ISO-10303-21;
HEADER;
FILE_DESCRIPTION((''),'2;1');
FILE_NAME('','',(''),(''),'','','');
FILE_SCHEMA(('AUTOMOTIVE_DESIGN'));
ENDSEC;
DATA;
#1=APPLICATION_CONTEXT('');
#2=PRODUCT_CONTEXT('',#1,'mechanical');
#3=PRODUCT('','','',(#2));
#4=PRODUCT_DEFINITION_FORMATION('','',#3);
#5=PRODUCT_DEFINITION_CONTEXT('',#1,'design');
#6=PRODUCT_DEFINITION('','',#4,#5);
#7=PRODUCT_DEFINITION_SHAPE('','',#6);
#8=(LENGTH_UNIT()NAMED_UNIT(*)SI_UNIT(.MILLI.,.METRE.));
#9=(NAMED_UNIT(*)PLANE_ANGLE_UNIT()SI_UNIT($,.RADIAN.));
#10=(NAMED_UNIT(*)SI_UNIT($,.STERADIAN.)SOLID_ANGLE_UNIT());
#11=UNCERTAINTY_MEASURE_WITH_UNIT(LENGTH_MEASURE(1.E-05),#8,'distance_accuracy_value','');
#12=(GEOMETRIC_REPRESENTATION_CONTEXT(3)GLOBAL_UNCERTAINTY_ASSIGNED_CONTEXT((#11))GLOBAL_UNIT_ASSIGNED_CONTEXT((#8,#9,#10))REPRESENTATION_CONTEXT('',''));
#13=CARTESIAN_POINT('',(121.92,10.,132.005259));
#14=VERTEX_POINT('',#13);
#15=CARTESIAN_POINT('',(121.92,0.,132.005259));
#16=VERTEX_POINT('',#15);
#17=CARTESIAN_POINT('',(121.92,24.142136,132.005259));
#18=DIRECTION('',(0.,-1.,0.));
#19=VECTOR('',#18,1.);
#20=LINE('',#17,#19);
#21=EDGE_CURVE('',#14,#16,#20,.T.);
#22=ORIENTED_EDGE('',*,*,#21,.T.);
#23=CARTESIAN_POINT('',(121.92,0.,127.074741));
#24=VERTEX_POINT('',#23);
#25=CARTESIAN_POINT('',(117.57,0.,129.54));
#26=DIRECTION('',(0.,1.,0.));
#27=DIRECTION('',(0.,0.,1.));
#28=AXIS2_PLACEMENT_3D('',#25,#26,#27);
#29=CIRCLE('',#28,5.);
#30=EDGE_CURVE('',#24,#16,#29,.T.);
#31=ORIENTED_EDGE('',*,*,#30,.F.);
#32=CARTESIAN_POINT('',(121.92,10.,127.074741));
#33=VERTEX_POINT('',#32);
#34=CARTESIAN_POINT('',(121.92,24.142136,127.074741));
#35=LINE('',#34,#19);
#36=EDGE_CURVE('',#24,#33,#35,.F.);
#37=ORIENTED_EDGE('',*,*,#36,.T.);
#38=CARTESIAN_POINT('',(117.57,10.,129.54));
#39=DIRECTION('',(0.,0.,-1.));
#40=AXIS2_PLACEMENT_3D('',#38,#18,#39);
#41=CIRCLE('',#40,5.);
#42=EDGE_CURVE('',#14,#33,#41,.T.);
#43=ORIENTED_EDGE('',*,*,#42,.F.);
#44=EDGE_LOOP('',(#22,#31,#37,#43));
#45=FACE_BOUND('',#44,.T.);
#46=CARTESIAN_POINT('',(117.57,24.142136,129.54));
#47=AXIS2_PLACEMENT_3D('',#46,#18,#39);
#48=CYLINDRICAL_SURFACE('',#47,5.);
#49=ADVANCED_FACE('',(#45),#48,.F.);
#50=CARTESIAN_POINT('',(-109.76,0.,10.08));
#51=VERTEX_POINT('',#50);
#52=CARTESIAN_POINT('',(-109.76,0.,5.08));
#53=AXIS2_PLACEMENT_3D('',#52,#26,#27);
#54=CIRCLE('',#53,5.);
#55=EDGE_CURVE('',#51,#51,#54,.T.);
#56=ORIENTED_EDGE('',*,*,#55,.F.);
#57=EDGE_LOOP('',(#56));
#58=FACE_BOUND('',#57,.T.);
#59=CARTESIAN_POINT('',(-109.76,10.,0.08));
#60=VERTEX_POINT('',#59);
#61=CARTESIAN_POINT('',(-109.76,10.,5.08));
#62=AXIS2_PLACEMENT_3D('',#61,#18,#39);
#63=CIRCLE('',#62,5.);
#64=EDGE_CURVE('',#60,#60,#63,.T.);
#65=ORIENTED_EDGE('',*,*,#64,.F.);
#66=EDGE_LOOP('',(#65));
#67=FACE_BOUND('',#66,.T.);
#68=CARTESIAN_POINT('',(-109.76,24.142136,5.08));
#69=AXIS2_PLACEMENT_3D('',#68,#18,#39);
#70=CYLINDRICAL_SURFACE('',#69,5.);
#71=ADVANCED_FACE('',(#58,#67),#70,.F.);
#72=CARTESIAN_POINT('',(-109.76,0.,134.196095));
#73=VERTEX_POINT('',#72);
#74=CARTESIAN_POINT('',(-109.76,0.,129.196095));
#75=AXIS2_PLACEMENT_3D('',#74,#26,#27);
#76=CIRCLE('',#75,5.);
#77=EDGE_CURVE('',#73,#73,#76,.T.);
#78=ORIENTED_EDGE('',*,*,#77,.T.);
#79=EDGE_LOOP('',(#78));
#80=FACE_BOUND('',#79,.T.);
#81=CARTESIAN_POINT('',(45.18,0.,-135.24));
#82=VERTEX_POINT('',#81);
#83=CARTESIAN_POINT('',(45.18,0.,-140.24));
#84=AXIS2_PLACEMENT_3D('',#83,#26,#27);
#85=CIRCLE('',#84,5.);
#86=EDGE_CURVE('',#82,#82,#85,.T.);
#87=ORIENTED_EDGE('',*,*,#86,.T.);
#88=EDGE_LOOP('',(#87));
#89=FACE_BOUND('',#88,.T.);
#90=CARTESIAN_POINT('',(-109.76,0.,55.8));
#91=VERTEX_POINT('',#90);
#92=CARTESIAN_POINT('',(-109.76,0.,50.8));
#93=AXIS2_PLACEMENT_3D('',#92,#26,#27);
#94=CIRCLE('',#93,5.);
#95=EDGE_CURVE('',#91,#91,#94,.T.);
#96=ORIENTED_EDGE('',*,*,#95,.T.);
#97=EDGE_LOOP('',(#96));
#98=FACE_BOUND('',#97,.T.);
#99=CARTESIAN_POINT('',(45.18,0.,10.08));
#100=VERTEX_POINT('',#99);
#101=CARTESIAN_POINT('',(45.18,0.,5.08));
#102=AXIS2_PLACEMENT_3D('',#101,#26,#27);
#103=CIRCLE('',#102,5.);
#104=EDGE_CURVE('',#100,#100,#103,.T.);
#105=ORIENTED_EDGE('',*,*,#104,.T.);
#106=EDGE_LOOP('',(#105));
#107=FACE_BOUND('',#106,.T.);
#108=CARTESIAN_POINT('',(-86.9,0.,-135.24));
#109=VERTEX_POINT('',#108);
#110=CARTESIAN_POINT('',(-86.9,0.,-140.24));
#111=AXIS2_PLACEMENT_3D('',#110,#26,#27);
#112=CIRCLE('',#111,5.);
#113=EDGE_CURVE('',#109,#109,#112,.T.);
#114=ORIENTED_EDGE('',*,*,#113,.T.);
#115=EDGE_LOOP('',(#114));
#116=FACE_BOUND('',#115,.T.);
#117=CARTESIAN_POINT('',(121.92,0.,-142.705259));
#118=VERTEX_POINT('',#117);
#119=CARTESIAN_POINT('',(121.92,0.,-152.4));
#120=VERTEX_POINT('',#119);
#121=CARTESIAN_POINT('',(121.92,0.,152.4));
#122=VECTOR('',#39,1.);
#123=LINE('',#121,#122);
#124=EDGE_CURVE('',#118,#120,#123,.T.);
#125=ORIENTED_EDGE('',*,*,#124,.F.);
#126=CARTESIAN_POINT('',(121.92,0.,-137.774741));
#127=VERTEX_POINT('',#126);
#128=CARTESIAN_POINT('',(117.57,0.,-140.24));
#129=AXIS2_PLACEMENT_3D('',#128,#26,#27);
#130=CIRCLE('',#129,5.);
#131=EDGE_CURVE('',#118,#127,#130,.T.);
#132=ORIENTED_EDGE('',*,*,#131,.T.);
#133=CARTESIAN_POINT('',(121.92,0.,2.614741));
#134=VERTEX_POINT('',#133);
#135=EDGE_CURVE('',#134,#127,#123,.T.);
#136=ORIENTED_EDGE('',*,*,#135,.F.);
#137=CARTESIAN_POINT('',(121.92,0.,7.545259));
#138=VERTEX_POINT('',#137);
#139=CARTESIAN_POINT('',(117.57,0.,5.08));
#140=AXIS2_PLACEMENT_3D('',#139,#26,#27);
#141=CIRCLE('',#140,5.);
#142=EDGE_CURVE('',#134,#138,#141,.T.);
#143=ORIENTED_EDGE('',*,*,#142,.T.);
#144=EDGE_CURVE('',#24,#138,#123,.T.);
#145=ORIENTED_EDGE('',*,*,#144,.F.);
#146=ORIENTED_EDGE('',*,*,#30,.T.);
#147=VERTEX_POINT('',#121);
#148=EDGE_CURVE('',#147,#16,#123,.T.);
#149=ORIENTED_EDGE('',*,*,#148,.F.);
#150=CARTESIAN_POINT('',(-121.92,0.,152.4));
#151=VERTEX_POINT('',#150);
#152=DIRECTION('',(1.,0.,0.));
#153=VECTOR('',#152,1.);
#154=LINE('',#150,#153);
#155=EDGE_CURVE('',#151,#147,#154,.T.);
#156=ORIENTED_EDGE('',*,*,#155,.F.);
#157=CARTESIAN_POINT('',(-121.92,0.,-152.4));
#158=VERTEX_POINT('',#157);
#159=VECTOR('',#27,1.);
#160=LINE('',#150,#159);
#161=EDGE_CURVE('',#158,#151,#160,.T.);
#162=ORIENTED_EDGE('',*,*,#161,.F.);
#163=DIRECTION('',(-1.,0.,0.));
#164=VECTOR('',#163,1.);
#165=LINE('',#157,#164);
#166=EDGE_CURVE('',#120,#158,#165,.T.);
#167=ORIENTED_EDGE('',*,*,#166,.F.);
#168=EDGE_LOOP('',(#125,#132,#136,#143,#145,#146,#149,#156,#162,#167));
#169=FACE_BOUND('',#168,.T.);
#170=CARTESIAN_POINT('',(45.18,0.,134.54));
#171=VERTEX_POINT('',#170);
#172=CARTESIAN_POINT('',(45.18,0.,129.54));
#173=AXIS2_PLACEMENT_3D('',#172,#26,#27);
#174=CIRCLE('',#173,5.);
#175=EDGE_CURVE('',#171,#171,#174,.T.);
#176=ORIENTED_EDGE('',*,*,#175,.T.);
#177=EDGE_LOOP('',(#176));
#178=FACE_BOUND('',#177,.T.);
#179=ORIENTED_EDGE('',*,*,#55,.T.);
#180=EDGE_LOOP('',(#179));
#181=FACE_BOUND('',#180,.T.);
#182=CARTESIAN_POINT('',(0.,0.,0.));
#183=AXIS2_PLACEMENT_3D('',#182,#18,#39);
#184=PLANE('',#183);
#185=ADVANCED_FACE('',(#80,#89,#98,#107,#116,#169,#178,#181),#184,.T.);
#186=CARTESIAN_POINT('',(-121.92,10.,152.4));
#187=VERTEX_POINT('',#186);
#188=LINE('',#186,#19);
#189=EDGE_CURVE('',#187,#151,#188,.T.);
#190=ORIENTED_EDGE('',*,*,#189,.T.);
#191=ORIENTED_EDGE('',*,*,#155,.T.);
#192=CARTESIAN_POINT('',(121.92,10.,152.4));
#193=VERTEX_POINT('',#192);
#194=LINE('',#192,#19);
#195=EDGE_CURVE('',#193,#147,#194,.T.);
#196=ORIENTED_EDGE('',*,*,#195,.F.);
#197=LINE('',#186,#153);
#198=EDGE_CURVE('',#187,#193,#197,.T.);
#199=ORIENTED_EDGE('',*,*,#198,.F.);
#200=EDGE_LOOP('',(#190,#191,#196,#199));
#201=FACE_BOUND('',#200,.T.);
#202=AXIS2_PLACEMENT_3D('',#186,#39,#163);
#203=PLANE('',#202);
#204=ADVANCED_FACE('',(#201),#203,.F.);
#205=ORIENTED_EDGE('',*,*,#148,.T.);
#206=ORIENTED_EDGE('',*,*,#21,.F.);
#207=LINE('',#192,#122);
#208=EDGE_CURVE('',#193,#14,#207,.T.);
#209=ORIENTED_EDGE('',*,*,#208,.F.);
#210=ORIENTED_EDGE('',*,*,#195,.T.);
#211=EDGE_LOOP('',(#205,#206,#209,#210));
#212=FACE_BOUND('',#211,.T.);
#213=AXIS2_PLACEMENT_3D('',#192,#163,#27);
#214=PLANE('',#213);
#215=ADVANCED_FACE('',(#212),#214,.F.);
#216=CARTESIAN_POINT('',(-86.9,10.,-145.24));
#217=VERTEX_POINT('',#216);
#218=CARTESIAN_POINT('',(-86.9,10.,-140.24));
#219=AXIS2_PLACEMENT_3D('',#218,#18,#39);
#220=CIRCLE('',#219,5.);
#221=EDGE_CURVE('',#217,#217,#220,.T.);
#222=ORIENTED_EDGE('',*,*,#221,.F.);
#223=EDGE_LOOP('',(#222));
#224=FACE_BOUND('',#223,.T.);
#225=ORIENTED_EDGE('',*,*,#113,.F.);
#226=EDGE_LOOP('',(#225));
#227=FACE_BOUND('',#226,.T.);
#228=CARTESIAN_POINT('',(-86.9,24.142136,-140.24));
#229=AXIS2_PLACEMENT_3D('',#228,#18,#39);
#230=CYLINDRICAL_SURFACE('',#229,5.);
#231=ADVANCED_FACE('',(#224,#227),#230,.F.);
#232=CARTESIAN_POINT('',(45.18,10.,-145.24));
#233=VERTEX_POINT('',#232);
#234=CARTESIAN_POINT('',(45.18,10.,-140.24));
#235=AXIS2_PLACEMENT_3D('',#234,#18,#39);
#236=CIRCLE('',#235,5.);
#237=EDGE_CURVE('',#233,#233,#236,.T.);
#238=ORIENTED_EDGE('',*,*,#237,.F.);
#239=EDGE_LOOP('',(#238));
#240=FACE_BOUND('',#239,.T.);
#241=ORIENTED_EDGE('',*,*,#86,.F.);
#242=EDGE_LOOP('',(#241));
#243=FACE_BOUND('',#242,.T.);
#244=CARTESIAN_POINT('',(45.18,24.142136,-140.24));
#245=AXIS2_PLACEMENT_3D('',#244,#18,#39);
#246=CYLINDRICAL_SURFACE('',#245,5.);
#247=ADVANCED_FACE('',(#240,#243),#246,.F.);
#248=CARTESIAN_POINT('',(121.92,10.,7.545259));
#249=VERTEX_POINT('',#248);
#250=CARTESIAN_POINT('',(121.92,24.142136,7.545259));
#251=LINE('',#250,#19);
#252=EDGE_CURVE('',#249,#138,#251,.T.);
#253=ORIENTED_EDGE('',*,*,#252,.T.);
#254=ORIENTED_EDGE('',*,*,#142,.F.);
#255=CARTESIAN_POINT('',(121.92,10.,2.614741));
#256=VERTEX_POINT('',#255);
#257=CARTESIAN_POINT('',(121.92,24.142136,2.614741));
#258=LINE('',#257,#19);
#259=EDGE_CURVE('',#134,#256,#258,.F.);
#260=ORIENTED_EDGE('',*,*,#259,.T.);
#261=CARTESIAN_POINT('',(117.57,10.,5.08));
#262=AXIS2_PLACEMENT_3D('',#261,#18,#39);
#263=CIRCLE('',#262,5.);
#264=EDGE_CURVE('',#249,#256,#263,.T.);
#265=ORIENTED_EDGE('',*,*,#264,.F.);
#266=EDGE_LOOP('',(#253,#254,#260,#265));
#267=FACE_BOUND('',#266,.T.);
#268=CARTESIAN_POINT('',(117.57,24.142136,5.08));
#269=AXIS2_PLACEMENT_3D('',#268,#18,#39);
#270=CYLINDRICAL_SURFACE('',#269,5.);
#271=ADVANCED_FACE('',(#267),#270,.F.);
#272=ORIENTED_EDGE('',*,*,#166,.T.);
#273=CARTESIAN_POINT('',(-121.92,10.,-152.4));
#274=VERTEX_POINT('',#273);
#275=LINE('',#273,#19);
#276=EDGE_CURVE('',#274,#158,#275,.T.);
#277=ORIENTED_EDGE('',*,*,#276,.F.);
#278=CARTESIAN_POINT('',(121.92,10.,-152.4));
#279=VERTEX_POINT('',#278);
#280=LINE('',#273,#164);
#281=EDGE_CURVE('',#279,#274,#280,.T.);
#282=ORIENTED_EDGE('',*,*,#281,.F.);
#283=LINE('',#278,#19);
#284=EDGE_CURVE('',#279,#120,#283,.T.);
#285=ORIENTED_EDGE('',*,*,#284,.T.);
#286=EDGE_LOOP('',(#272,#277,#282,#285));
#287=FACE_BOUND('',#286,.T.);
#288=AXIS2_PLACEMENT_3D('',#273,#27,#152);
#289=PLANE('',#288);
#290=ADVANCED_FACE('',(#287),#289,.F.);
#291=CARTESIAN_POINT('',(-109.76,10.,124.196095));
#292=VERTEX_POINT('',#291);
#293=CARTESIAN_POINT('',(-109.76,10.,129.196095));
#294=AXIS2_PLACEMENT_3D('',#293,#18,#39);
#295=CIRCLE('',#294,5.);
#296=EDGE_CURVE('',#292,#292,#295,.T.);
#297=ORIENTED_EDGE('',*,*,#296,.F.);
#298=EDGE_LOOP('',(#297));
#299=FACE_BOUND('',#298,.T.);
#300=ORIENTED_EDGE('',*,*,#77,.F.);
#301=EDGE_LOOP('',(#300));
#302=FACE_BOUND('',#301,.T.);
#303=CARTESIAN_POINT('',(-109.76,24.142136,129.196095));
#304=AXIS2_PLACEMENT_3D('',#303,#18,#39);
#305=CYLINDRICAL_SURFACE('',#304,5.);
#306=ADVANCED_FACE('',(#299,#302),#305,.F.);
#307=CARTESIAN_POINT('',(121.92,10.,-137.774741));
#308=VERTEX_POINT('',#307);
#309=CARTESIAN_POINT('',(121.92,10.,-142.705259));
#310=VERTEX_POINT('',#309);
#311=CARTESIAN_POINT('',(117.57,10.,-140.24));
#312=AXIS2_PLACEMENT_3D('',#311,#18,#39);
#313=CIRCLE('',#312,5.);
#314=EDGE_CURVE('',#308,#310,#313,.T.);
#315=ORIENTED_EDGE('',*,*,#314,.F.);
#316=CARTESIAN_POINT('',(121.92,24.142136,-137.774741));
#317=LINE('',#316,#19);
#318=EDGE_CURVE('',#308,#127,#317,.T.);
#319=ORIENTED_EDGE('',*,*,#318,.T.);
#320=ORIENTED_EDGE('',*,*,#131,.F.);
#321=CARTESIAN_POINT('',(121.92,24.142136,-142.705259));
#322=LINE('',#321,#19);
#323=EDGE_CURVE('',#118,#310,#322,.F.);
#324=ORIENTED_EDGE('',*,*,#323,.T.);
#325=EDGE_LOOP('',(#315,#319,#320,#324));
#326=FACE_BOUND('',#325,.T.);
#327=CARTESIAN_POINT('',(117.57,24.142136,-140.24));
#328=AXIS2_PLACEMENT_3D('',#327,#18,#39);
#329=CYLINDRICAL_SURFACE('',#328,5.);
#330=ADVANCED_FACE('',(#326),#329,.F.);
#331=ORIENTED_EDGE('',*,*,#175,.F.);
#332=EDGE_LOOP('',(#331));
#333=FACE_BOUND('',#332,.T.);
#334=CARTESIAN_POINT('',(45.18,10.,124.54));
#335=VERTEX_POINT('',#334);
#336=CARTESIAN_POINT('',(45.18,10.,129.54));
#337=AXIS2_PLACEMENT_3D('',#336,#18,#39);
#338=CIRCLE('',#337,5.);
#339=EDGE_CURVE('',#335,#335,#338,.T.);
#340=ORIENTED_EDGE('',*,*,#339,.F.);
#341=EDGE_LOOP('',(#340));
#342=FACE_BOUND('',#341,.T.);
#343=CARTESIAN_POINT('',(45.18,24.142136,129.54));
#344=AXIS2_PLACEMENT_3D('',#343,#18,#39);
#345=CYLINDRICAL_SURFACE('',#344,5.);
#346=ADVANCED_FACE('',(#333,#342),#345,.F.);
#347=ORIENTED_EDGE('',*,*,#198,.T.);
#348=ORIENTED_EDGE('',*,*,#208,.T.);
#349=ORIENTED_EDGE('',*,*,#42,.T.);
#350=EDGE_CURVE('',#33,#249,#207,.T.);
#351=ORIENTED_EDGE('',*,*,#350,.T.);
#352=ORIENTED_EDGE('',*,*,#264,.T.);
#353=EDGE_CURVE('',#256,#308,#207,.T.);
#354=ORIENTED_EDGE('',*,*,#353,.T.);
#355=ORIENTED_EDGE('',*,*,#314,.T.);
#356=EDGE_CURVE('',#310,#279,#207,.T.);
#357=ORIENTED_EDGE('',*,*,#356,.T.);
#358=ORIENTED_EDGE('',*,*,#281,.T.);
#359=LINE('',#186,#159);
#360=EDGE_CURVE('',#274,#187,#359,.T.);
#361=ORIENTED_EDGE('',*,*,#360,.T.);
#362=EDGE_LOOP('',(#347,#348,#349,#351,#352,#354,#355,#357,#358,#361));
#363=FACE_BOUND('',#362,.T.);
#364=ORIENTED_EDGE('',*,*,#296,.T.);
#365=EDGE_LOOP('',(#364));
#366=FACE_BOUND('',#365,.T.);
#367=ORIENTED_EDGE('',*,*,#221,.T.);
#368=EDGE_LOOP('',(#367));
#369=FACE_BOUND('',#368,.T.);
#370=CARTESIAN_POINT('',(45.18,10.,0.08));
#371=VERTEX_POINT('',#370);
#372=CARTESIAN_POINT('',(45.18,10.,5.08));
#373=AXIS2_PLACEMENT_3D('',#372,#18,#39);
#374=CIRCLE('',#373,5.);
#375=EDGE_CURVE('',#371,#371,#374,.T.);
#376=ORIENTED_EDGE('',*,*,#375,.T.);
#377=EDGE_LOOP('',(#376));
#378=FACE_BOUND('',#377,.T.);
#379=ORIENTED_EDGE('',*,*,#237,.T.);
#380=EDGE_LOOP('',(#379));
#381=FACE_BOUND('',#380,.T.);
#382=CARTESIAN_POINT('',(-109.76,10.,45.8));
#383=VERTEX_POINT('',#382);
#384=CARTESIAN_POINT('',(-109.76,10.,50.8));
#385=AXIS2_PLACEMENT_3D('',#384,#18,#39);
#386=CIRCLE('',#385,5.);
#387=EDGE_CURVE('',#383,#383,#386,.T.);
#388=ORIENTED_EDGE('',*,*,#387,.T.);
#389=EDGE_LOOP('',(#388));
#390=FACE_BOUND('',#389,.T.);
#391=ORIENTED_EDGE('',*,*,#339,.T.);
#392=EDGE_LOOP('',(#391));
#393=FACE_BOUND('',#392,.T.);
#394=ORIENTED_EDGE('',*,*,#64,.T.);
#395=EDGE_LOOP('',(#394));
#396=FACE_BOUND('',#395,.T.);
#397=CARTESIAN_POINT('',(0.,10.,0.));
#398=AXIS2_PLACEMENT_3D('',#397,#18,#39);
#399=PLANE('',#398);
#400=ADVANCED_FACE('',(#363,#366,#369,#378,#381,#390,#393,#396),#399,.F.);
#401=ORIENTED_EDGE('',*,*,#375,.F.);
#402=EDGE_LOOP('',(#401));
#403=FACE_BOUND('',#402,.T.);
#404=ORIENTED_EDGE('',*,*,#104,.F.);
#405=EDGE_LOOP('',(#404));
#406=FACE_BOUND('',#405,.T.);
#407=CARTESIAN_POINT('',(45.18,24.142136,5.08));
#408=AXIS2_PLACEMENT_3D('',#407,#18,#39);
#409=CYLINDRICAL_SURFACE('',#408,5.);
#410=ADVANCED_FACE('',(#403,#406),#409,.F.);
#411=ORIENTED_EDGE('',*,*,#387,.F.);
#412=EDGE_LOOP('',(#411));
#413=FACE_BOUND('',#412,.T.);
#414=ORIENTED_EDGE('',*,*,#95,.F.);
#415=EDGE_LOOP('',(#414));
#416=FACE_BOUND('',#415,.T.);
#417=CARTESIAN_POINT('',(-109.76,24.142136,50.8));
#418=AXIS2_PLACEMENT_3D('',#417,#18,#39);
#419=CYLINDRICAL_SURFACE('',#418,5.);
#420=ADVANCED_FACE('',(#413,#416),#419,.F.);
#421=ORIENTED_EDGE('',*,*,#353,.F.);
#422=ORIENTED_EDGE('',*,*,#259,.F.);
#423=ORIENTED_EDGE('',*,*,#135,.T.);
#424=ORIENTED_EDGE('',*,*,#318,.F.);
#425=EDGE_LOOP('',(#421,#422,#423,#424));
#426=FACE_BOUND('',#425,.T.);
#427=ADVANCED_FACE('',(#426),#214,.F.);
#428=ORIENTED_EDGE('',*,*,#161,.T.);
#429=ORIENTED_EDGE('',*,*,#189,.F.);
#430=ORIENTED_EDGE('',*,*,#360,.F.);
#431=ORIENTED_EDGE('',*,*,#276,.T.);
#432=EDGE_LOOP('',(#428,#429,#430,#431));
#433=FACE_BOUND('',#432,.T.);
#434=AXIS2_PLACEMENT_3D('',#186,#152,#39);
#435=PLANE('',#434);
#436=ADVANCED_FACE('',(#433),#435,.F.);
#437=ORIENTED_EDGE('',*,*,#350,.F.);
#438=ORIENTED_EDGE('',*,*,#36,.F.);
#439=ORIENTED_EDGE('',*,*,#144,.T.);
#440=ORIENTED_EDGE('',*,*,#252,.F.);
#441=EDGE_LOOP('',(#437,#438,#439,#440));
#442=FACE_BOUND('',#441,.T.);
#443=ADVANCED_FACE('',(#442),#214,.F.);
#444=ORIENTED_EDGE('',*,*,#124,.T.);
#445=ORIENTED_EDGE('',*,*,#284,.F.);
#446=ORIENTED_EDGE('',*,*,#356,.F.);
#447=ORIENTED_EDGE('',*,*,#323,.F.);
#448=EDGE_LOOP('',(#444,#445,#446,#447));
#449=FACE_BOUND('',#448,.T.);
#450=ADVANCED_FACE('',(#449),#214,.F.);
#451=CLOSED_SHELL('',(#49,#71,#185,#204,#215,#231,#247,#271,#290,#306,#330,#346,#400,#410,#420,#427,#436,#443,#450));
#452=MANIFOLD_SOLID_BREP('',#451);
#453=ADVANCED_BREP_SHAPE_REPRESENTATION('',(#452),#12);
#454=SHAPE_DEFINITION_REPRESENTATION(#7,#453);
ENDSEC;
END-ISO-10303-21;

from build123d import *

# Parameters (mm, degrees)
SKETCH2_W           = 243.84
SKETCH2_H           = 304.8
BOSS_EXTRUDE1_DEPTH = 10
SKETCH1_R           = 5
CUT_EXTRUDE2_DEPTH  = 10


with BuildPart() as part:
    # Sketch2 → Boss-Extrude1 (new body)
    with BuildSketch(Plane(origin=(0, 0, 0), x_dir=(1, 0, 0), z_dir=(0, 1, 0))):
        Rectangle(SKETCH2_W, SKETCH2_H)
    extrude(amount=BOSS_EXTRUDE1_DEPTH)

    # Sketch1 → Cut-Extrude2 (cut)
    with BuildSketch(Plane(origin=(0, 0, 0), x_dir=(1, 0, 0), z_dir=(0, 1, 0))):
        with Locations((-86.9, 140.24)):
            Circle(SKETCH1_R)
        with Locations((45.18, 140.24)):
            Circle(SKETCH1_R)
        with Locations((117.57, 140.24)):
            Circle(SKETCH1_R)
        with Locations((117.57, -5.08)):
            Circle(SKETCH1_R)
        with Locations((45.18, -5.08)):
            Circle(SKETCH1_R)
        with Locations((-109.76, -5.08)):
            Circle(SKETCH1_R)
        with Locations((-109.76, -50.8)):
            Circle(SKETCH1_R)
        with Locations((-109.76, -129.196094703)):
            Circle(SKETCH1_R)
        with Locations((45.18, -129.54)):
            Circle(SKETCH1_R)
        with Locations((117.57, -129.54)):
            Circle(SKETCH1_R)
    extrude(amount=CUT_EXTRUDE2_DEPTH, mode=Mode.SUBTRACT)


solid = part.part
